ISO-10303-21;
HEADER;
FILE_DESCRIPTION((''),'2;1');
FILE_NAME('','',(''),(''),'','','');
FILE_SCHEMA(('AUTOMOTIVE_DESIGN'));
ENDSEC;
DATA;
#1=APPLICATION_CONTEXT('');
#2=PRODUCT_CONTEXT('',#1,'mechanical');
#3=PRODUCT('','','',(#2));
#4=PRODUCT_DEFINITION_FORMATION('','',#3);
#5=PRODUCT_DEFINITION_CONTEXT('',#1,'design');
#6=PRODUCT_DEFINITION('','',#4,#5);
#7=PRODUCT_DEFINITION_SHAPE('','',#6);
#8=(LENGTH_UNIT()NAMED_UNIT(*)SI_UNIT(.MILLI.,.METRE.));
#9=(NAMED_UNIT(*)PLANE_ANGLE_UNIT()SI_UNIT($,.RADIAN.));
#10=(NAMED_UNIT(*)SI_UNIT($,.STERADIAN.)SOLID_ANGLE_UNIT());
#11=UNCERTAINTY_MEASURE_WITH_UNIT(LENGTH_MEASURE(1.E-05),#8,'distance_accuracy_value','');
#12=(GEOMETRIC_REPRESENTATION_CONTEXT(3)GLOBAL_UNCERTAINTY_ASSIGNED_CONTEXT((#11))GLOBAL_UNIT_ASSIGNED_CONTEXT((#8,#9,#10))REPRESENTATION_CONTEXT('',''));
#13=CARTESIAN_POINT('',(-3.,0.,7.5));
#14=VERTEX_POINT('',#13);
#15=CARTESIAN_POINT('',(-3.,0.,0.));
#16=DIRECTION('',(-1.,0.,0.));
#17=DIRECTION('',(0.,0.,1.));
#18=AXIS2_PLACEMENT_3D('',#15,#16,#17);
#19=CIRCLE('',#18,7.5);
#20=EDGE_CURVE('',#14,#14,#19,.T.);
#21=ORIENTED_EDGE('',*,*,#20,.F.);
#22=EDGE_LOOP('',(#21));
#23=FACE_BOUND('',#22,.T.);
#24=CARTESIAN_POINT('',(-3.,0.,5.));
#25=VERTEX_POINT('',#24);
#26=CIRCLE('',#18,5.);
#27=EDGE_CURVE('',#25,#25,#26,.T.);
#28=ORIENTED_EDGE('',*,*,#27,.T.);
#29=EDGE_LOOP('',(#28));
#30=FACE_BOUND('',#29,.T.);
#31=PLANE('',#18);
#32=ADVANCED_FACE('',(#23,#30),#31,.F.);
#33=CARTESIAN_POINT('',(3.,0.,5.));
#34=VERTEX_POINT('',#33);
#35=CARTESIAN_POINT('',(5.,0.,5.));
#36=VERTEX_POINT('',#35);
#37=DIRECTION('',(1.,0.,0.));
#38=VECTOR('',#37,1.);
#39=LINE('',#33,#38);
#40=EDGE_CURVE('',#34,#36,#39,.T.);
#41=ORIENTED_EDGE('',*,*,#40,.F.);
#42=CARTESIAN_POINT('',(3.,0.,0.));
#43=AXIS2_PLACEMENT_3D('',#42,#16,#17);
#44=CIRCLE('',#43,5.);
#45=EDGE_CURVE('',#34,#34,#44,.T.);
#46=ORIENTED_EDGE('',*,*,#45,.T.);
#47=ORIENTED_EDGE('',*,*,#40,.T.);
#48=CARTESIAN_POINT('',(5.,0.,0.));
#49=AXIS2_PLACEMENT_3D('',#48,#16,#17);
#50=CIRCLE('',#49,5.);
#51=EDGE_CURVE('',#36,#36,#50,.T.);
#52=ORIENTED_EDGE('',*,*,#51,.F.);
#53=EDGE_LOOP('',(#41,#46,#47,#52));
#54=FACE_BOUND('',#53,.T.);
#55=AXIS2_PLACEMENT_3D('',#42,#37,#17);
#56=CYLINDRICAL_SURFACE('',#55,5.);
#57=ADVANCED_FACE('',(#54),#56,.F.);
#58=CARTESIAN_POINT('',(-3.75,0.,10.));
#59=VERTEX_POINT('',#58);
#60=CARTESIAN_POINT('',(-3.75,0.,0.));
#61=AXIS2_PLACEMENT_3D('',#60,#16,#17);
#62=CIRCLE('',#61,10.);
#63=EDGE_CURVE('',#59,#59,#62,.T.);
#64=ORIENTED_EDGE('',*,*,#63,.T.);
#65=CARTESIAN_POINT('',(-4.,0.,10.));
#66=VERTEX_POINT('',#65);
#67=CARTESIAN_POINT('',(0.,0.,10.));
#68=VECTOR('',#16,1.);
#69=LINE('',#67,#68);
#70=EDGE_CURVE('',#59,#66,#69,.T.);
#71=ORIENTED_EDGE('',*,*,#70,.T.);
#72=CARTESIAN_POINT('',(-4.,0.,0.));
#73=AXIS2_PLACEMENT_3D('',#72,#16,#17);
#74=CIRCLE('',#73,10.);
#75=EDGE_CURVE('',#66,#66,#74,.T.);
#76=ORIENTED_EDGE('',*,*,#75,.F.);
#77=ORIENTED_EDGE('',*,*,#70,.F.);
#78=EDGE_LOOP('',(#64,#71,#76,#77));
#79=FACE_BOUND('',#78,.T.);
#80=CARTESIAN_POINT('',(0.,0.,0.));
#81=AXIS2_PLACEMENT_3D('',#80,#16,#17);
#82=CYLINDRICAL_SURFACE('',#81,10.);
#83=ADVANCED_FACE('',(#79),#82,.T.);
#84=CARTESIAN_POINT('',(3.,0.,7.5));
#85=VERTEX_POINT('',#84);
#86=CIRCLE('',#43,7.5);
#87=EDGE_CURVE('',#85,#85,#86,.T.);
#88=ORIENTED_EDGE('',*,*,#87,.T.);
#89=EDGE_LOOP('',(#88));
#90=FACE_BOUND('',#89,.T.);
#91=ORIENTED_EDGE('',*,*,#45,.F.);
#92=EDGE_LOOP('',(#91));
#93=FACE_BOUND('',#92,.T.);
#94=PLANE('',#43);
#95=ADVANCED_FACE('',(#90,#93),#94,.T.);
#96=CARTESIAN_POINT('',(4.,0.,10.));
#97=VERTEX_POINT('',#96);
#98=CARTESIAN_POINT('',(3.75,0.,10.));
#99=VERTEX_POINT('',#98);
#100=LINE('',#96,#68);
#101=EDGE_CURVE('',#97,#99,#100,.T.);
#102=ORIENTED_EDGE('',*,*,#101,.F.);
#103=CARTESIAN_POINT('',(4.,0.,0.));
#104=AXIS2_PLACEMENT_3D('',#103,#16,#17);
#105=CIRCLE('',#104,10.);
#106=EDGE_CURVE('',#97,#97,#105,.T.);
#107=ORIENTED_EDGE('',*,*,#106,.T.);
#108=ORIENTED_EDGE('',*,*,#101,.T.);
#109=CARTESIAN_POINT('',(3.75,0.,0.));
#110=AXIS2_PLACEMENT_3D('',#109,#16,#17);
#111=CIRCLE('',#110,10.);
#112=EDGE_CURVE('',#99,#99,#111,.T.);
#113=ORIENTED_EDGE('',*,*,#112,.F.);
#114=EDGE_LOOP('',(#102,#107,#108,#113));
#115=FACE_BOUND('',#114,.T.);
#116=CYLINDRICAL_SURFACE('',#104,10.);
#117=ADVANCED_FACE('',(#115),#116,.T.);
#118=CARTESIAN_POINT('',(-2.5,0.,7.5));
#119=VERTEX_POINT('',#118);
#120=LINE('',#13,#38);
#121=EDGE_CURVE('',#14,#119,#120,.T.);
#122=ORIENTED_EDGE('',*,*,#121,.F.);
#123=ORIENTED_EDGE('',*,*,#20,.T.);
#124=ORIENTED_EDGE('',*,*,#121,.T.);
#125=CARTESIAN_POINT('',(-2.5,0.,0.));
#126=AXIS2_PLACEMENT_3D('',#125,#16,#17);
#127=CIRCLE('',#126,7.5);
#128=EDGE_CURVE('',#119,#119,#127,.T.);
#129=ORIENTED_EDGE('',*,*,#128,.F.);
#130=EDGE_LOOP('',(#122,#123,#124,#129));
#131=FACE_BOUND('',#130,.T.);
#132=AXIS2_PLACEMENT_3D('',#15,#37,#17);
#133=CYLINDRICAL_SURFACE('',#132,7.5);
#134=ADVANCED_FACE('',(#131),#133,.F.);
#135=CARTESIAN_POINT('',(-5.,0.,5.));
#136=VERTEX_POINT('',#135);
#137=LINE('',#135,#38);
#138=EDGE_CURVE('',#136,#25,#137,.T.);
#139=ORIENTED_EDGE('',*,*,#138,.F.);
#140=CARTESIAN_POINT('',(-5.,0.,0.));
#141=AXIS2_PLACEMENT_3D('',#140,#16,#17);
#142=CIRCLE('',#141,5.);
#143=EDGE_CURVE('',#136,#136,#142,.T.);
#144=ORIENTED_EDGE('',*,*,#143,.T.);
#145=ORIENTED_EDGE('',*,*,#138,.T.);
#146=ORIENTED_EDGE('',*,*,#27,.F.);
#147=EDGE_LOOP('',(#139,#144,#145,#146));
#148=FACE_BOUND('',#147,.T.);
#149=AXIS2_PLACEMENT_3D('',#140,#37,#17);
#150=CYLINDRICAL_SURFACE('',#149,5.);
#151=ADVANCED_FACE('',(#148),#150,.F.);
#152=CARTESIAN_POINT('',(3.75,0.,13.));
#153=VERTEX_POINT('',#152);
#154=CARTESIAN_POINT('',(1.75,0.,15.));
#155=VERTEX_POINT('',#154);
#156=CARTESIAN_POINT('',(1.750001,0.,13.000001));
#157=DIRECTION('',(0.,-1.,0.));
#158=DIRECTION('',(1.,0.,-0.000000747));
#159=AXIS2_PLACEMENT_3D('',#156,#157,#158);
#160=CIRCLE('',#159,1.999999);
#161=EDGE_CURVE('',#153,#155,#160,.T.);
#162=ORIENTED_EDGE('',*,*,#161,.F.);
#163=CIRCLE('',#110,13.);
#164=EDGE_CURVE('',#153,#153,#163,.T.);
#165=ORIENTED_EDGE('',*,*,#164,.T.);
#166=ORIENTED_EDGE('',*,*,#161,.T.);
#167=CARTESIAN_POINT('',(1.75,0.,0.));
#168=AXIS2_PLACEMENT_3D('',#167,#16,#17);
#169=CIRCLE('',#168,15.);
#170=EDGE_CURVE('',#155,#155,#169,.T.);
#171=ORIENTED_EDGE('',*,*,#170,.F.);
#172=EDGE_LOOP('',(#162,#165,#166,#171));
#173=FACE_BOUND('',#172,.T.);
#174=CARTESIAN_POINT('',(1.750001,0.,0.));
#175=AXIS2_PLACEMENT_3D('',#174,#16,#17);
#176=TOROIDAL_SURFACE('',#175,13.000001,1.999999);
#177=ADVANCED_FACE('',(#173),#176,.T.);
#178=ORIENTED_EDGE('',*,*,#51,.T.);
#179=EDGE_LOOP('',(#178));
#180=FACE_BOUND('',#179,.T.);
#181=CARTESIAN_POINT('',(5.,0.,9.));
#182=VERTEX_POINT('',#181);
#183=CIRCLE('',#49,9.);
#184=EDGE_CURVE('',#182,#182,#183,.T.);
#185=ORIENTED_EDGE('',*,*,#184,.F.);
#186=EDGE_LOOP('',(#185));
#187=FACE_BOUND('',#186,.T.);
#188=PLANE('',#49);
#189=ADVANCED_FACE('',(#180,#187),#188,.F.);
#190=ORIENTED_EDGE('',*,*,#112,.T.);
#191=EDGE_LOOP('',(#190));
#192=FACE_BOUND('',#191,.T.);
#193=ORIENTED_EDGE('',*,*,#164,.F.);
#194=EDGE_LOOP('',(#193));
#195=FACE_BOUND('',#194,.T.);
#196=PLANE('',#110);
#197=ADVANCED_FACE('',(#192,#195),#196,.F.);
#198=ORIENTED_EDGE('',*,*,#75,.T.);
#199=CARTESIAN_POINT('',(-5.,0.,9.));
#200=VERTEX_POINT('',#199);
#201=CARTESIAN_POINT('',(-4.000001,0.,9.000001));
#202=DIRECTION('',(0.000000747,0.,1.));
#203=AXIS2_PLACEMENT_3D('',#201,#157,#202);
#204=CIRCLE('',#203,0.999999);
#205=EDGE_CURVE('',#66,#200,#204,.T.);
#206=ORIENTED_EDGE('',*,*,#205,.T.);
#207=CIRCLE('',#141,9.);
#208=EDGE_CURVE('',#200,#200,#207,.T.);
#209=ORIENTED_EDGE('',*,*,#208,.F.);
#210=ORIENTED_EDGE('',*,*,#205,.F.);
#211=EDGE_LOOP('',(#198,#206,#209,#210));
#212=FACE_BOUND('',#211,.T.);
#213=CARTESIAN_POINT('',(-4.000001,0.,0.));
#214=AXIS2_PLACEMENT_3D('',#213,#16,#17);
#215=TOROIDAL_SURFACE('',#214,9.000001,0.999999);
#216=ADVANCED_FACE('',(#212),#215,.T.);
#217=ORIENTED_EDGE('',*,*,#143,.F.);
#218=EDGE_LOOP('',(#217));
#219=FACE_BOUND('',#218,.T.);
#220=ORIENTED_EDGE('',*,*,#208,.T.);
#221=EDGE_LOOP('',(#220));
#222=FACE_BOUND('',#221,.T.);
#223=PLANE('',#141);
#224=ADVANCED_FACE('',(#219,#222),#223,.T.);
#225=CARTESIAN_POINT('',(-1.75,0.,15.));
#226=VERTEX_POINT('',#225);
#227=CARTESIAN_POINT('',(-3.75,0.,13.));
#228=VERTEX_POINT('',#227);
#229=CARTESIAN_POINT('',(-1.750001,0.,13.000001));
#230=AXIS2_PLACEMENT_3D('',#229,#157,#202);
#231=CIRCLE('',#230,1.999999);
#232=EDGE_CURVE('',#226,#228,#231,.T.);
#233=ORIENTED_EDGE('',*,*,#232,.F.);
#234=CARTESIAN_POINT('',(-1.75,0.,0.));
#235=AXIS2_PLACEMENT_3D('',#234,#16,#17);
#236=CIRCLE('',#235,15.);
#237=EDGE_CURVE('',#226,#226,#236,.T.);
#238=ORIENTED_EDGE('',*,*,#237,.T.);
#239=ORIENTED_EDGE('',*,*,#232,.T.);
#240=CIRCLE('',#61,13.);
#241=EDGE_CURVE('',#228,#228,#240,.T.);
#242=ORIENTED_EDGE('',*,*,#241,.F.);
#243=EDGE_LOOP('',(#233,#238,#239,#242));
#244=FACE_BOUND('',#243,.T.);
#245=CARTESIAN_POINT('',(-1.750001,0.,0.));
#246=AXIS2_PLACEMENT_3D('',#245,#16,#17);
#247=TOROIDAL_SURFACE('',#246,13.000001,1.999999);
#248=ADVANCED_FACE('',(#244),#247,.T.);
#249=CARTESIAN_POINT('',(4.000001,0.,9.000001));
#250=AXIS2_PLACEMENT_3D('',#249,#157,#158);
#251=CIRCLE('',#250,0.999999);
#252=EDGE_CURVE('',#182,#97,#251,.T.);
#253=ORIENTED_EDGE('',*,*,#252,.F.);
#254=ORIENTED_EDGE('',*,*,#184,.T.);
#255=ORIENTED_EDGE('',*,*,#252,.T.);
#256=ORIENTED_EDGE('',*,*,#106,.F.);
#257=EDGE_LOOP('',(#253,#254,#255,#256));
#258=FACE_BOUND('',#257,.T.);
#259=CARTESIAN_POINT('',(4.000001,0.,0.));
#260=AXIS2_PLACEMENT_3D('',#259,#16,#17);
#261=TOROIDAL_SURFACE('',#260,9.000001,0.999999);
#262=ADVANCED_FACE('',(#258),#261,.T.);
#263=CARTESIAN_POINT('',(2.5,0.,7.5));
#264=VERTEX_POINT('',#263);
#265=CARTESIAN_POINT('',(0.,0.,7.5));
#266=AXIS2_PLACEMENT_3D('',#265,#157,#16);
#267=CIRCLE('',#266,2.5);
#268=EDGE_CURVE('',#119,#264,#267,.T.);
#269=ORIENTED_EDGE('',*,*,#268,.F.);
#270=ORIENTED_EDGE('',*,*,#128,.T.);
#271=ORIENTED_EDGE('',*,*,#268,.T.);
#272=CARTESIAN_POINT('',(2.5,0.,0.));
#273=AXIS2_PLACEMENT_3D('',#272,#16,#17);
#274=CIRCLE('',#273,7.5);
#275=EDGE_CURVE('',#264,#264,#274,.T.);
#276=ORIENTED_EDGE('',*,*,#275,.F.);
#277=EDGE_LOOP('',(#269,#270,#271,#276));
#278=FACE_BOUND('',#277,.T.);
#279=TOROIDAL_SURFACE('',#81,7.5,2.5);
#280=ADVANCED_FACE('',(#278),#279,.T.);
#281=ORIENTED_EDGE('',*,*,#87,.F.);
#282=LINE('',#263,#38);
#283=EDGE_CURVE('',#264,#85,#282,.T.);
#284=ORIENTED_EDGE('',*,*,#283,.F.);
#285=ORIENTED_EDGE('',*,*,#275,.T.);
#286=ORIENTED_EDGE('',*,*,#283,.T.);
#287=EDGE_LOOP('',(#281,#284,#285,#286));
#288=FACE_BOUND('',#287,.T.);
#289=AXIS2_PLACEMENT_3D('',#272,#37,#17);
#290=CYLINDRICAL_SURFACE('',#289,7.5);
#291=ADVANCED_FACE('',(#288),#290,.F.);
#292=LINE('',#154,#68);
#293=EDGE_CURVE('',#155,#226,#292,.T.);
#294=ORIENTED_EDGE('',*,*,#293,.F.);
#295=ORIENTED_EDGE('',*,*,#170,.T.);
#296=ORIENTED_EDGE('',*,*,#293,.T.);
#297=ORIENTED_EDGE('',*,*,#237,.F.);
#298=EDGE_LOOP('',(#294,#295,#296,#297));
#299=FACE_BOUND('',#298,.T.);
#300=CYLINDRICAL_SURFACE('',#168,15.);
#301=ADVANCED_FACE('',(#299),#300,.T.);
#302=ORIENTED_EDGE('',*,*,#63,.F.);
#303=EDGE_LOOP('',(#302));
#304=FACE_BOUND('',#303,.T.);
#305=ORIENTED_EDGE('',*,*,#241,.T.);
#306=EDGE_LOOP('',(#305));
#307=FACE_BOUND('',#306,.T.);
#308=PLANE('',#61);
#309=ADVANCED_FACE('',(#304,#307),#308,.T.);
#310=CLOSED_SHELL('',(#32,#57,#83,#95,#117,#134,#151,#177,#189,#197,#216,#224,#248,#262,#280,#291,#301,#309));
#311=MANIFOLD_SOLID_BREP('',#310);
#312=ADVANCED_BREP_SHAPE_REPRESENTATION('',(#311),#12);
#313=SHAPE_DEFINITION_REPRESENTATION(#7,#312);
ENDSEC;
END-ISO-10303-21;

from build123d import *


with BuildPart() as f1:
    # F0 (on Front) → F1 (revolve)
    with BuildSketch(Plane.XZ):
        with BuildLine():
            Line((1.75, 15), (0, 15))
            Line((0, 15), (-1.75, 15))
            ThreePointArc((-1.75, 15), (-3.164214, 14.414214), (-3.75, 13))
            Line((-3.75, 13), (-3.75, 10))
            Line((-3.75, 10), (0, 10))
            Line((0, 10), (3.75, 10))
            Line((3.75, 10), (3.75, 13))
            ThreePointArc((3.75, 13), (3.164214, 14.414214), (1.75, 15))
        make_face()
        with BuildLine():
            Line((0, 10), (-3.75, 10))
            Line((-3.75, 10), (-4, 10))
            ThreePointArc((-4, 10), (-4.707107, 9.707107), (-5, 9))
            Line((-5, 9), (-5, 5))
            Line((-5, 5), (-3, 5))
            Line((-3, 5), (-3, 7.5))
            Line((-3, 7.5), (-2.5, 7.5))
            ThreePointArc((-2.5, 7.5), (-1.767767, 9.267767), (0, 10))
        make_face()
        with BuildLine():
            ThreePointArc((2.5, 7.5), (1.767767, 9.267767), (0, 10))
            ThreePointArc((0, 10), (-1.767767, 9.267767), (-2.5, 7.5))
            ThreePointArc((-2.5, 7.5), (0, 5), (2.5, 7.5))
        make_face()
        with BuildLine():
            Line((4, 10), (3.75, 10))
            Line((3.75, 10), (0, 10))
            ThreePointArc((0, 10), (1.767767, 9.267767), (2.5, 7.5))
            Line((2.5, 7.5), (3, 7.5))
            Line((3, 7.5), (3, 5))
            Line((3, 5), (5, 5))
            Line((5, 5), (5, 9))
            ThreePointArc((5, 9), (4.707107, 9.707107), (4, 10))
        make_face()
    revolve(axis=Axis((-11.902174, 0, 0), (-1, 0, 0)))


solid = f1.part
